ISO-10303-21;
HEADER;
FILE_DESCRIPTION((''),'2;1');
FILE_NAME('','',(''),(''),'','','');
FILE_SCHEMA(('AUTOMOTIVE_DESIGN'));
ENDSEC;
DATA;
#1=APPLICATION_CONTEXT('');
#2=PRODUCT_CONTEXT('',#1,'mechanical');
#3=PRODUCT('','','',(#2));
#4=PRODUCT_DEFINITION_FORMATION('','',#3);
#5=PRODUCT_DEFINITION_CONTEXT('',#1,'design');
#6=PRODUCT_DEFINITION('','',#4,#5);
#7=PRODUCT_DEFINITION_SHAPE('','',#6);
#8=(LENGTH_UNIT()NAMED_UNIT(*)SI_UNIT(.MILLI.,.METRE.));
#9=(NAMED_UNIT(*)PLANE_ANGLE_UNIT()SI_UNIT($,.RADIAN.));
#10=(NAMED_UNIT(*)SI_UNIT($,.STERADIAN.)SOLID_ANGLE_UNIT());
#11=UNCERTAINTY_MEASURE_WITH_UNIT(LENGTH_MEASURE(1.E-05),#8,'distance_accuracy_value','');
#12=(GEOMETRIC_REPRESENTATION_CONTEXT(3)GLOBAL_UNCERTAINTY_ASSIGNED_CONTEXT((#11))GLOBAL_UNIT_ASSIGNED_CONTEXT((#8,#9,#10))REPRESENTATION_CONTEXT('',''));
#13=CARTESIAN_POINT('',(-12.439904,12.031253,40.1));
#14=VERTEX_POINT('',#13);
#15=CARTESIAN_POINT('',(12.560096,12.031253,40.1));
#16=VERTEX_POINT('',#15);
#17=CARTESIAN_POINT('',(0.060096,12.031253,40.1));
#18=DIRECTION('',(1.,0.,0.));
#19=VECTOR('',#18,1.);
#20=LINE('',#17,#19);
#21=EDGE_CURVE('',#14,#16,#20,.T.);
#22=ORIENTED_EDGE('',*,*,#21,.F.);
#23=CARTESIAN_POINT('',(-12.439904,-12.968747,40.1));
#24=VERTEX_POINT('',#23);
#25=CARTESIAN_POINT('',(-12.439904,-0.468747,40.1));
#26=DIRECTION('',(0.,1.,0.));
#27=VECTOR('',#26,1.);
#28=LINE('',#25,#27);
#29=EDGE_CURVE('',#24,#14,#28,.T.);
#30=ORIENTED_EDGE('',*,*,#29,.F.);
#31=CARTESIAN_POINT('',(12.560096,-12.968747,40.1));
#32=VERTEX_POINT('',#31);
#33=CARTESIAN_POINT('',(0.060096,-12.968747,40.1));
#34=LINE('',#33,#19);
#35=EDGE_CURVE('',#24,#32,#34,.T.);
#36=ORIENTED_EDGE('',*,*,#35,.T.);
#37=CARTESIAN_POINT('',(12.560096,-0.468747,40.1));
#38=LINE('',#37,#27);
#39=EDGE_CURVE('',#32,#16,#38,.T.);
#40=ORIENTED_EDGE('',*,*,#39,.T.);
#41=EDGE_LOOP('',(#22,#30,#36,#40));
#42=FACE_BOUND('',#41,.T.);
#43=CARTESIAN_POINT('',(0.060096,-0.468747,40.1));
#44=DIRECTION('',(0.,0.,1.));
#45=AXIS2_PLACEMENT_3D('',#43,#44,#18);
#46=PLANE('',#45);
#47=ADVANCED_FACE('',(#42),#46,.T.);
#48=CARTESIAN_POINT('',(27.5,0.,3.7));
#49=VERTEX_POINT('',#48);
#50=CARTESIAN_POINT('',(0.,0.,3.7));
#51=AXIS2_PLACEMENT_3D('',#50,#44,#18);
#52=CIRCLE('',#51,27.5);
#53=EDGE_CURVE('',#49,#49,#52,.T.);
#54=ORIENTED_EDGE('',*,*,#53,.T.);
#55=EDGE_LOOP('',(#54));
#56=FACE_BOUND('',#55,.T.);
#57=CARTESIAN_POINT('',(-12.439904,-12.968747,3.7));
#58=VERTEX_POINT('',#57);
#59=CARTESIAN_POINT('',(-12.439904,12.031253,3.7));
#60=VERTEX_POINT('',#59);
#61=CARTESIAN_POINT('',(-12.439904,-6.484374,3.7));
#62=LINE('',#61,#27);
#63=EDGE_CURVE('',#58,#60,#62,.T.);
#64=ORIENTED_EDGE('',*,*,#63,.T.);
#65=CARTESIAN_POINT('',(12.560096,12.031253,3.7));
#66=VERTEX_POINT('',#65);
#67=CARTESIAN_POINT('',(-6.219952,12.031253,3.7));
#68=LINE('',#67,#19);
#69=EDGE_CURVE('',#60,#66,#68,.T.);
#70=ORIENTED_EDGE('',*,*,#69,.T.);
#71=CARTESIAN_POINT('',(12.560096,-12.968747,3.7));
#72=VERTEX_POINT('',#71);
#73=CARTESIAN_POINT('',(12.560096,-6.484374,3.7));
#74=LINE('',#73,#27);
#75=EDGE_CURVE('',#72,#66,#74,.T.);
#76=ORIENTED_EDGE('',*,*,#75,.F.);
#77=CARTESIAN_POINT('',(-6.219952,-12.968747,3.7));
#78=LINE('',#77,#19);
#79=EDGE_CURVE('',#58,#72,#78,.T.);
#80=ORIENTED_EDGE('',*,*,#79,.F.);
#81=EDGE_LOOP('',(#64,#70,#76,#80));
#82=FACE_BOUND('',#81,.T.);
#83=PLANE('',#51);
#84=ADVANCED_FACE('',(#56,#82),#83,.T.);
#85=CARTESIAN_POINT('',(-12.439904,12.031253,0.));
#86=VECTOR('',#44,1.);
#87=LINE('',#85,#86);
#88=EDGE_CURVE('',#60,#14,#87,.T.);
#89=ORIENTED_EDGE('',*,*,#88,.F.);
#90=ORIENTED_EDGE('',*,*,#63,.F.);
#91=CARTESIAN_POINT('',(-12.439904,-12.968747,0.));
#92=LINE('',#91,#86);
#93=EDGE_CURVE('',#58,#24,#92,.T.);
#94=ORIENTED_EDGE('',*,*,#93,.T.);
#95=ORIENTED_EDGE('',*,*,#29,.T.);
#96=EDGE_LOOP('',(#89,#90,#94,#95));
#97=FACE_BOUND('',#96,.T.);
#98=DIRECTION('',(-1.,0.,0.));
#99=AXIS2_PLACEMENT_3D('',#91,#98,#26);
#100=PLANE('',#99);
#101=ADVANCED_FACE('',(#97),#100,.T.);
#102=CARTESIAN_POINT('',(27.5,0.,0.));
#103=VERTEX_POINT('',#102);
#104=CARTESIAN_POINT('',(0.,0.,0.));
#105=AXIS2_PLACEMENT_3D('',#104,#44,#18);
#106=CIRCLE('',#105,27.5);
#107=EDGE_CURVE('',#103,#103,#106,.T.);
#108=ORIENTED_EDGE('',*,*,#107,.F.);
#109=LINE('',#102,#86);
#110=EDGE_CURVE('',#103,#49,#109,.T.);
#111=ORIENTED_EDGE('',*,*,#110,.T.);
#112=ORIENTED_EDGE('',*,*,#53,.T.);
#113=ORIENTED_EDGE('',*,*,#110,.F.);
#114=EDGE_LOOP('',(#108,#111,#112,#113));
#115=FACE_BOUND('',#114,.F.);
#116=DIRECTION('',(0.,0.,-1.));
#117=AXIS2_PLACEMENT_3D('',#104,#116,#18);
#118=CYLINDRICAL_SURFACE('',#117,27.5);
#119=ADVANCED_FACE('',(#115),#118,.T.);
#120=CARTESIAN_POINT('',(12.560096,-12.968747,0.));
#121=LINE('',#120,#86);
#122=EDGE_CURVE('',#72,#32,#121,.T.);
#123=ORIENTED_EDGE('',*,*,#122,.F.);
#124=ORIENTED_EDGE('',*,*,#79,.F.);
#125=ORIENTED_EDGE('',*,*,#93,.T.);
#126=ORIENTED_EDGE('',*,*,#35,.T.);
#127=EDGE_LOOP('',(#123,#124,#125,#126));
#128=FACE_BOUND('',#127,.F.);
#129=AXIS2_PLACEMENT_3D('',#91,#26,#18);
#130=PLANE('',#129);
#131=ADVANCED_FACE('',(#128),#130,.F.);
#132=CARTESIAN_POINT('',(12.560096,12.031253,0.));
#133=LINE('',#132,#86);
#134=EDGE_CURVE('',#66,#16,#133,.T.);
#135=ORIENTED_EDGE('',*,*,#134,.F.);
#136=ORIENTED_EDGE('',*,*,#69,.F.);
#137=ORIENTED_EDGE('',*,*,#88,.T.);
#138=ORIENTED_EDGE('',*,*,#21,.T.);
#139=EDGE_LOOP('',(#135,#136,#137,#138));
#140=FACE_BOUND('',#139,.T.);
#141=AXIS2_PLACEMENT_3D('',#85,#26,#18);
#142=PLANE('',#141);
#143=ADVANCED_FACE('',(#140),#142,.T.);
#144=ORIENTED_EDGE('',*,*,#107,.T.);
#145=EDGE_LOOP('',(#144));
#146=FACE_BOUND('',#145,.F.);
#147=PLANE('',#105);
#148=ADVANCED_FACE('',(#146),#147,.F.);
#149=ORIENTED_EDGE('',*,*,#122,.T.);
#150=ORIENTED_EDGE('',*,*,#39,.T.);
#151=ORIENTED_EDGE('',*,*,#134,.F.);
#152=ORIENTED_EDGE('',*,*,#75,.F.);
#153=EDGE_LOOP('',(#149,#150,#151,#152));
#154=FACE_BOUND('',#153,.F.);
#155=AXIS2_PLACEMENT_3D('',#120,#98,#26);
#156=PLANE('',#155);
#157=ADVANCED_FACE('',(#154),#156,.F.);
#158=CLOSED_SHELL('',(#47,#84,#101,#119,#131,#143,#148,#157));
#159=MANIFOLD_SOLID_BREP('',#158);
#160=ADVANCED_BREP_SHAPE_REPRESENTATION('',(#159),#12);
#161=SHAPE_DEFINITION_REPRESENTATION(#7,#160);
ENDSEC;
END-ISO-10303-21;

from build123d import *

# Parameters (mm, degrees)
F1_W     = 25
F1_H     = 25
F2_DEPTH = 40.1
F0_R     = 27.5
F3_DEPTH = 3.7


with BuildPart() as f2:
    # F1 (on Top) → F2 (new body)
    with BuildSketch(Plane.XY):
        with Locations((0.060096, -0.468747)):
            Rectangle(F1_W, F1_H)
    extrude(amount=F2_DEPTH)

    # F0 (on Top) → F3 (join)
    with BuildSketch(Plane.XY):
        Circle(F0_R)
    extrude(amount=F3_DEPTH)


solid = f2.part
